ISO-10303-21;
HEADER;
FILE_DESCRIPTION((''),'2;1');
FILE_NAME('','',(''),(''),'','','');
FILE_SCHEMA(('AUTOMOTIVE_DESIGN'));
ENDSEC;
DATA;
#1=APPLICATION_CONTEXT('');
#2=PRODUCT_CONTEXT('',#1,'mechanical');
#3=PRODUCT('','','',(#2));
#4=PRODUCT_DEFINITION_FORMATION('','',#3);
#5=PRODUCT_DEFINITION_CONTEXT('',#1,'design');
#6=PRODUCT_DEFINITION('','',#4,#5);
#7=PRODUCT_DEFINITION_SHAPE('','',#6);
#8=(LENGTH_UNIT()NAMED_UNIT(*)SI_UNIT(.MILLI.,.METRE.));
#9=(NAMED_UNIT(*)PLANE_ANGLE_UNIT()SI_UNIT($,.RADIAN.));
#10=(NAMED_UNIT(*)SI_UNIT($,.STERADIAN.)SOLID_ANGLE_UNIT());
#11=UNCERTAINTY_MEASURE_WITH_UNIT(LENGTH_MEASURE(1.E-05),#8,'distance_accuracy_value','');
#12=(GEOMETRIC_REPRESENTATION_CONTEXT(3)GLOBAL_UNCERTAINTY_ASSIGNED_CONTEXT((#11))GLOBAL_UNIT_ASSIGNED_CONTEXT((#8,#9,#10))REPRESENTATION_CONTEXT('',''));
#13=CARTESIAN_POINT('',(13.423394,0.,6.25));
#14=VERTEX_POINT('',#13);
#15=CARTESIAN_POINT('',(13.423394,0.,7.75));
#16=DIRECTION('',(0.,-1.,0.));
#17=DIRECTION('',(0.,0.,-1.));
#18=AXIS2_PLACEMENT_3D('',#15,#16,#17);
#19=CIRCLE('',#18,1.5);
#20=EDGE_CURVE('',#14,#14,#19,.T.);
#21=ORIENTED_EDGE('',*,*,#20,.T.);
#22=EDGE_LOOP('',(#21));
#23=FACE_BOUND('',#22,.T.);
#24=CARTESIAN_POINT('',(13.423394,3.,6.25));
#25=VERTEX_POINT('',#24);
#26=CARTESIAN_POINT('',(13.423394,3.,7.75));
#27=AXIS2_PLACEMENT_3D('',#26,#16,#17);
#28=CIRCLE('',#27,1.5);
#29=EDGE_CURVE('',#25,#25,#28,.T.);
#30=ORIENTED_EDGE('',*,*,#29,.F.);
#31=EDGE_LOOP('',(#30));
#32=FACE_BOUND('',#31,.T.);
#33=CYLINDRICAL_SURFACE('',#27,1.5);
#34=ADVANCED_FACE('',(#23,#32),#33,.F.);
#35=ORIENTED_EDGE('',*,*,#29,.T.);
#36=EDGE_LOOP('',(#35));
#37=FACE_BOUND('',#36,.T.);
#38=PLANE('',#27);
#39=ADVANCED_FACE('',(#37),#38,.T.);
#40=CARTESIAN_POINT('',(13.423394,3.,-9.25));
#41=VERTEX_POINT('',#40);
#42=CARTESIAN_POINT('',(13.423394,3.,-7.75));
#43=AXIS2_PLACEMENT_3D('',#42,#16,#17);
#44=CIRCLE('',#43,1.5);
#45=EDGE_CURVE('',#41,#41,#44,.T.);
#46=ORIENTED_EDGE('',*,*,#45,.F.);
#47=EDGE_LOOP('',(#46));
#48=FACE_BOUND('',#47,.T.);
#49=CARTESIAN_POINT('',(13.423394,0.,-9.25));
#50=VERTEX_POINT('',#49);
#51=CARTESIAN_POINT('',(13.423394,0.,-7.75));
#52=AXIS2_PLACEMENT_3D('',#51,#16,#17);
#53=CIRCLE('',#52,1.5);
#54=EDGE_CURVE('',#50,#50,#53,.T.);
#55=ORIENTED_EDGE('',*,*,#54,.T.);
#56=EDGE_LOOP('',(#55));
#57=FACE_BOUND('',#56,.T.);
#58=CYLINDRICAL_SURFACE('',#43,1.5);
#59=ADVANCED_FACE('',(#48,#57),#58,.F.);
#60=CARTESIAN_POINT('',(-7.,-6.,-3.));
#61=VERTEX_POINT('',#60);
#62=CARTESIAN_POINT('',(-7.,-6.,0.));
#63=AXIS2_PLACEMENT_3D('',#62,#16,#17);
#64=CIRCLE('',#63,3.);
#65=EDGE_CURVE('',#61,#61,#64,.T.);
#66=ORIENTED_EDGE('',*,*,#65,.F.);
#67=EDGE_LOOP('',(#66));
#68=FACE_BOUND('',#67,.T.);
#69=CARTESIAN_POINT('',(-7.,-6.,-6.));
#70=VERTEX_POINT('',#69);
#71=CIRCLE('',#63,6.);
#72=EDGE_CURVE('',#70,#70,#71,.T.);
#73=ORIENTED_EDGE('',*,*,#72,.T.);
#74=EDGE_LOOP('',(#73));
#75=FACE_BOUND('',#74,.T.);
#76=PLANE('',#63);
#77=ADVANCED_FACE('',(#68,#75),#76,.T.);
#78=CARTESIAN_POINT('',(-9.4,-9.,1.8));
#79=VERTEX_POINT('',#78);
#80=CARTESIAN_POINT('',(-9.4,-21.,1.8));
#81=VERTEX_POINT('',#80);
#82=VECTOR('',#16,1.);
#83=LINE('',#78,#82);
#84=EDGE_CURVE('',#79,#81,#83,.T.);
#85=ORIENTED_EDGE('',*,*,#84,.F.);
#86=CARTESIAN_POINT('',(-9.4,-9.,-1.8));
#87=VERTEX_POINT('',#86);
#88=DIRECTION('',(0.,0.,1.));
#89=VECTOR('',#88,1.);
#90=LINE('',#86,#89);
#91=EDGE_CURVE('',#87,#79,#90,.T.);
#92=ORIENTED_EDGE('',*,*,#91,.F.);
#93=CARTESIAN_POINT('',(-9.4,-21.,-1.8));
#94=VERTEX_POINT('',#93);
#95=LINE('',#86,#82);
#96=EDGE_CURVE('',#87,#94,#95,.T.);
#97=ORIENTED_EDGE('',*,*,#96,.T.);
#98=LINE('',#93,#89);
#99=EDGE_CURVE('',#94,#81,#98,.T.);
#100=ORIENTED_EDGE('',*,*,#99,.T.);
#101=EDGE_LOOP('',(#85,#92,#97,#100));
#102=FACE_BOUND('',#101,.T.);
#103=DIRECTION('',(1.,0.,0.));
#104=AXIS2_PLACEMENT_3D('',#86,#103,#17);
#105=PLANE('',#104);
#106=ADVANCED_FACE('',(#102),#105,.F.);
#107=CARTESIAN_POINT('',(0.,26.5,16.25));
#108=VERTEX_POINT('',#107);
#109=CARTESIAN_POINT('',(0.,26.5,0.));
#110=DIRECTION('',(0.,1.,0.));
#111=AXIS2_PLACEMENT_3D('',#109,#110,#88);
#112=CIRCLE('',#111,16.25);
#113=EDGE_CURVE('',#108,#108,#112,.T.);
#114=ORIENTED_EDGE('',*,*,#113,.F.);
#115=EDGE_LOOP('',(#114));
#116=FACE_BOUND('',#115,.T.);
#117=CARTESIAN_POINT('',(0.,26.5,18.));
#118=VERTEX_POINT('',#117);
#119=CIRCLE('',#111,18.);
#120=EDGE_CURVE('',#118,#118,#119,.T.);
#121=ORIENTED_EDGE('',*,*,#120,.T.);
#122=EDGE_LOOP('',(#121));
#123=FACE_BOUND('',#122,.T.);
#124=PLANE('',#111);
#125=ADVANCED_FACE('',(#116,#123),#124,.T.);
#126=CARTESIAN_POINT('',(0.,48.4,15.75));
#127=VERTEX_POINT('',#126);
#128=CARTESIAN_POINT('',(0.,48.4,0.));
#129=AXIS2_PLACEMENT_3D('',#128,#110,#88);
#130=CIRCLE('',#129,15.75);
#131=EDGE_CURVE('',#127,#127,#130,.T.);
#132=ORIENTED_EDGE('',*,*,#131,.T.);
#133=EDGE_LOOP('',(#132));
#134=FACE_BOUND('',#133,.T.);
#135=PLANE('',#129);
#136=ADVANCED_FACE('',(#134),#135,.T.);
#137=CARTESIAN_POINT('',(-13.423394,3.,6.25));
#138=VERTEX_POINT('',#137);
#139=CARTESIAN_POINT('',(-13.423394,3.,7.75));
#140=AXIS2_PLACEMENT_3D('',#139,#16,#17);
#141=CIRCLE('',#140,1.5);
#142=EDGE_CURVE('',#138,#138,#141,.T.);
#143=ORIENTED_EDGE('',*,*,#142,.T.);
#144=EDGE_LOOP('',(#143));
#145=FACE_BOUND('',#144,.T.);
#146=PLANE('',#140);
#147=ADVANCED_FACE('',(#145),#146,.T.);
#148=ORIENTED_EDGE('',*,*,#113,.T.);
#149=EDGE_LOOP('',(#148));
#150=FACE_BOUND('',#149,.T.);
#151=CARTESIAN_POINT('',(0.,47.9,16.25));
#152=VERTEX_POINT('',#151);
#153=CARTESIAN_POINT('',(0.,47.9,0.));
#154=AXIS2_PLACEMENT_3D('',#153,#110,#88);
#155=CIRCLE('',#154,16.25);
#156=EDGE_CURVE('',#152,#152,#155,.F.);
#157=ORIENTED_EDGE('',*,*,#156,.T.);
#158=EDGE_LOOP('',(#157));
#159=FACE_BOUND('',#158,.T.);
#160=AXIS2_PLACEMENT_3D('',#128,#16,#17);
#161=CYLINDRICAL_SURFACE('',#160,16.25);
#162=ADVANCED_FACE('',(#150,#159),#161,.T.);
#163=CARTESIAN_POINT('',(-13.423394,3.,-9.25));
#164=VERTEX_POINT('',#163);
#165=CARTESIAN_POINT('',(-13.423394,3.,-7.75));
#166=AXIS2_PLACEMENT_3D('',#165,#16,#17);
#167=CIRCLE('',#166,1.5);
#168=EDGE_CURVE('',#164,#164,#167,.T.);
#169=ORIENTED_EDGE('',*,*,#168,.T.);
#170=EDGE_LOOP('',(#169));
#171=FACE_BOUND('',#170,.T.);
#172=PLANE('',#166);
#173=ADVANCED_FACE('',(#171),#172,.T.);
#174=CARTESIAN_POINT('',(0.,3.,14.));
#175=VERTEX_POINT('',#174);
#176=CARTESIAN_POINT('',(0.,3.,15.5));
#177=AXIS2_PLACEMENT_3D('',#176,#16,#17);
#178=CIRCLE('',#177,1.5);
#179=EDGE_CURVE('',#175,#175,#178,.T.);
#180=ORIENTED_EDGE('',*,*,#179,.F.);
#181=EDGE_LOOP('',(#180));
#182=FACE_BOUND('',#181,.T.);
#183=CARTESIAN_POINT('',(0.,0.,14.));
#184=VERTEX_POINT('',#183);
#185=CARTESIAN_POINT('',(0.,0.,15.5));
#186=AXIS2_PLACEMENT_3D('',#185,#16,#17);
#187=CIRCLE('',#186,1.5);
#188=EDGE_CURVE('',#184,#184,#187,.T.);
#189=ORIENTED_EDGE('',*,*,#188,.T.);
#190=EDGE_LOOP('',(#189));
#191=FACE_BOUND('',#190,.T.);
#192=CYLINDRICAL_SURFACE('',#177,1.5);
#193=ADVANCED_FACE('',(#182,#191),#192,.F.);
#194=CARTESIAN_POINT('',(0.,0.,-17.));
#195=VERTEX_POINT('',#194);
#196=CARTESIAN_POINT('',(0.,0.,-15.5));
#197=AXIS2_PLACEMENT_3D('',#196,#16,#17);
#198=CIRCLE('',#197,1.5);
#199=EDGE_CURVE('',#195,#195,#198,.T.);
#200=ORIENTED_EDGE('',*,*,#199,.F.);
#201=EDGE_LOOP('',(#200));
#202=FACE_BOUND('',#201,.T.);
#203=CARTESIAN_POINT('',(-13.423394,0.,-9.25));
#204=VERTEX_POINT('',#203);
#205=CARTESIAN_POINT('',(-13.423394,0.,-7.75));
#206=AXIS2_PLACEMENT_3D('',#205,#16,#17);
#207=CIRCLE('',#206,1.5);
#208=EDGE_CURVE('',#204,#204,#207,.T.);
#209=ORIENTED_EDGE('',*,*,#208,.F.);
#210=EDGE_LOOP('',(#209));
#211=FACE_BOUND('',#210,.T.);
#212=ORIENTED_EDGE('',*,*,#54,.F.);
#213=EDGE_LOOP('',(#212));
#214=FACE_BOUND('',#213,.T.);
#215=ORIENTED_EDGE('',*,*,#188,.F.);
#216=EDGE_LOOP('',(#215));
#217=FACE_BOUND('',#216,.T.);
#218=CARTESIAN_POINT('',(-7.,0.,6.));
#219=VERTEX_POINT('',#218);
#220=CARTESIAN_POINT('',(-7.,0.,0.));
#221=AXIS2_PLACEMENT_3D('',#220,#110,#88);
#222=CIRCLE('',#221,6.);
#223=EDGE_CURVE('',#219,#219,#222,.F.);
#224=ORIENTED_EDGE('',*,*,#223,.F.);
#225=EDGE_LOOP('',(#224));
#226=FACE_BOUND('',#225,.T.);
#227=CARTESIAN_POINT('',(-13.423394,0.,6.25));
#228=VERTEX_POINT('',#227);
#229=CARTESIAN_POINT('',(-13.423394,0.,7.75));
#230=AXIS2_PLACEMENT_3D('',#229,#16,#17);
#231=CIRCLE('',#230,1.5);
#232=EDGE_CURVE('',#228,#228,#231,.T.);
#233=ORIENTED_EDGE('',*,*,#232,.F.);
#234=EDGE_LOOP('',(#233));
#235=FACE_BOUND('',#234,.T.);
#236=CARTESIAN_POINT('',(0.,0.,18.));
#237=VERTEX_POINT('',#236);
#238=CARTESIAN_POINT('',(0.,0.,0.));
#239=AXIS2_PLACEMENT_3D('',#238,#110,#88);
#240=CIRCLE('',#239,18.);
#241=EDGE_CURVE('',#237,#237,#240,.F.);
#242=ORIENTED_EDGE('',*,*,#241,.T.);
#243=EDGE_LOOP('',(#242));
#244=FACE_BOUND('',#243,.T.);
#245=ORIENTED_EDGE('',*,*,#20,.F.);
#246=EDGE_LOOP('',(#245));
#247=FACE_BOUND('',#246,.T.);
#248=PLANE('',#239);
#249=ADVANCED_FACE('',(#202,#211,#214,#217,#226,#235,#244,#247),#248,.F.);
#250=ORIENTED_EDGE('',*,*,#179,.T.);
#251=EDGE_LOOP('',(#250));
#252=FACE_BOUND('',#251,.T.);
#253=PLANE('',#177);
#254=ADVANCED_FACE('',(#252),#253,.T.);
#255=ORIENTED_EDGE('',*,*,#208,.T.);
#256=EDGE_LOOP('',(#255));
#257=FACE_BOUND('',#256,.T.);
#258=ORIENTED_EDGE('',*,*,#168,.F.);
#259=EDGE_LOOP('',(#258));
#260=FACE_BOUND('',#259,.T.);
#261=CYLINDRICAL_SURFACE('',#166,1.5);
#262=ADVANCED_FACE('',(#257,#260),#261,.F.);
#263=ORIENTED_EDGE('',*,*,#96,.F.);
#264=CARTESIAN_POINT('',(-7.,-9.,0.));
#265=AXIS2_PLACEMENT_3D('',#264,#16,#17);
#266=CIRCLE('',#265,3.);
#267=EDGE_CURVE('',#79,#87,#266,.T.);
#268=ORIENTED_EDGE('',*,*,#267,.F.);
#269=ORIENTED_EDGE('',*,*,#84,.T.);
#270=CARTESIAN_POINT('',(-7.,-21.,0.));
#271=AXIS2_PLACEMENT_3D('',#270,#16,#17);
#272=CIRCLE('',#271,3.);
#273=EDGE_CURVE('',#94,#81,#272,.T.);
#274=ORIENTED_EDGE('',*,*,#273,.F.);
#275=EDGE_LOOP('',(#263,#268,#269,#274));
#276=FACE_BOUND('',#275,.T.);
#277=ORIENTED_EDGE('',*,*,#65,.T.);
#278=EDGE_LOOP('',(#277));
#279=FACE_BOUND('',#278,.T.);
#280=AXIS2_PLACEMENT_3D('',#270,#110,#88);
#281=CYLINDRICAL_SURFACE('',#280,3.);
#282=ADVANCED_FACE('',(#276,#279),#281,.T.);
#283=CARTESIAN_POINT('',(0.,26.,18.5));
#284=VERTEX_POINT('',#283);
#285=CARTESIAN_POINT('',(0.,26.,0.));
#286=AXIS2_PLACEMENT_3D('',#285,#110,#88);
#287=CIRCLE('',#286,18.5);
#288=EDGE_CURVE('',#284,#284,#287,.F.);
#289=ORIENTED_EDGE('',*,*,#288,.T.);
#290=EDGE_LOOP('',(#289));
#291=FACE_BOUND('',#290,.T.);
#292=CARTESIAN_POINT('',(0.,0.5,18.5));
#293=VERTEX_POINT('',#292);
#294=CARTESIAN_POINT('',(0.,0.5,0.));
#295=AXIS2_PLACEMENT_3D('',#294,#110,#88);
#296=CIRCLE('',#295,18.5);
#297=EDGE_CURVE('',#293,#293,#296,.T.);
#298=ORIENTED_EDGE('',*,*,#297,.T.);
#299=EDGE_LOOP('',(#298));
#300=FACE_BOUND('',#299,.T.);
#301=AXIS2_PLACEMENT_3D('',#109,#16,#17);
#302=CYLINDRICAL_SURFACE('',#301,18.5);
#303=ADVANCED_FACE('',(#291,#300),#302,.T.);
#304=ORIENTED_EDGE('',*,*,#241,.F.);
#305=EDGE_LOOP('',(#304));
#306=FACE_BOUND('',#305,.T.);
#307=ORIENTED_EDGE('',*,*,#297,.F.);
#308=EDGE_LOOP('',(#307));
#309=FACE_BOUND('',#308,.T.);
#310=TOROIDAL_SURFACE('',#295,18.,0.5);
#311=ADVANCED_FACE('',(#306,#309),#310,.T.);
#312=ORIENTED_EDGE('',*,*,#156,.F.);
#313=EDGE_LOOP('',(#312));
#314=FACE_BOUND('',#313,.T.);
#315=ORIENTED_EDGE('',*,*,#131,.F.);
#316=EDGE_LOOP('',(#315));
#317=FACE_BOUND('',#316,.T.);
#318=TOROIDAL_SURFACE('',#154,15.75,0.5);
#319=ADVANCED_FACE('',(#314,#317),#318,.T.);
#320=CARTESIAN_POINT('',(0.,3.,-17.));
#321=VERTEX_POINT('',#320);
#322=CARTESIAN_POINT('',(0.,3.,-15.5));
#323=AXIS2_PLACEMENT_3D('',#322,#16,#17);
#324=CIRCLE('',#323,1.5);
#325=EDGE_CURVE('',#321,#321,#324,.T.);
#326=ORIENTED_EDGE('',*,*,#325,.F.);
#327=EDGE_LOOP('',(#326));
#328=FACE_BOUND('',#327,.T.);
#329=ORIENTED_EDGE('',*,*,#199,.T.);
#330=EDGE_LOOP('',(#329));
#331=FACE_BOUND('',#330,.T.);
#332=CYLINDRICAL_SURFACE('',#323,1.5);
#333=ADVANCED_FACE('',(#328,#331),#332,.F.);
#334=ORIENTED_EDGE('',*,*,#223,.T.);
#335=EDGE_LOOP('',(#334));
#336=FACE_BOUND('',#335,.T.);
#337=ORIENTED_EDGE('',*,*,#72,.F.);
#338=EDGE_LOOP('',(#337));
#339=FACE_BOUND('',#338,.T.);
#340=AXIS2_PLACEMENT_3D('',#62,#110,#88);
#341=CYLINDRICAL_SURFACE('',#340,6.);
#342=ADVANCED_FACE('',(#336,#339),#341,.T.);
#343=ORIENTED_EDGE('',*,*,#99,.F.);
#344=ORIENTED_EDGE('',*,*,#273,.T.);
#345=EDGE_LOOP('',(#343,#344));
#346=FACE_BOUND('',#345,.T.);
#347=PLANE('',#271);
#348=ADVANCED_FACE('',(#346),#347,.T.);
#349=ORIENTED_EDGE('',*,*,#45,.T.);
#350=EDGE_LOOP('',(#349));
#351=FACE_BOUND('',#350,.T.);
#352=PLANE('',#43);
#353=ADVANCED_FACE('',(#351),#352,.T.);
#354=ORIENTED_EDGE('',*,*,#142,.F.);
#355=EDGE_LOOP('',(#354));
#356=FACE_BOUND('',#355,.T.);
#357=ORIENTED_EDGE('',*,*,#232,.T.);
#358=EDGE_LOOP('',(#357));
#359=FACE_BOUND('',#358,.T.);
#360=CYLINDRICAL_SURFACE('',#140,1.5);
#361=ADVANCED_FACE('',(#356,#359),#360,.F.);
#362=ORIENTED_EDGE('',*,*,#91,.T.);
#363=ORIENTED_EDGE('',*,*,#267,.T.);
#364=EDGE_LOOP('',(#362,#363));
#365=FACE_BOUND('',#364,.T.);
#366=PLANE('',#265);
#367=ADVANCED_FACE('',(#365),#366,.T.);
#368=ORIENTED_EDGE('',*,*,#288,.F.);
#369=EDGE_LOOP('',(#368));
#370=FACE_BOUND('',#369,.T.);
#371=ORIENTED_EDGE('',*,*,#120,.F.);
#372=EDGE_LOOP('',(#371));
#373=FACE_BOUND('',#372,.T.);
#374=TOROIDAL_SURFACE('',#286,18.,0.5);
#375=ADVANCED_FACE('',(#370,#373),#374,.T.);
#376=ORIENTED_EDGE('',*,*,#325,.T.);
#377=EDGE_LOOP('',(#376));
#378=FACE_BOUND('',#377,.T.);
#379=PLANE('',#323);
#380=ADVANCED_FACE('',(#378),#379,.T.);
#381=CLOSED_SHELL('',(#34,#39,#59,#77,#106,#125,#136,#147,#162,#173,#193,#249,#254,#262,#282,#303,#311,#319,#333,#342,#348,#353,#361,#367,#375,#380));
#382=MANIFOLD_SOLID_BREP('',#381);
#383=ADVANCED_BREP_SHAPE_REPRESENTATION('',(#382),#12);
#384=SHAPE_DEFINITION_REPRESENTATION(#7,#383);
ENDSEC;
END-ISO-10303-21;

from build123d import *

# Parameters (mm, degrees)
SKETCH_1_R          = 18.5
EXTRUDE_1_DEPTH     = 26.5
SKETCH_2_R          = 16.25
EXTRUDE_2_DEPTH     = 21.9
SKETCH_3_R          = 6
EXTRUDE_3_DEPTH     = 6
SKETCH_4_R          = 3
EXTRUDE_4_DEPTH     = 15
CUT_EXTRUDE_START   = -12
CUT_EXTRUDE_1_DEPTH = 12
FILLET_1_R          = 0.5
SKETCH_6_R          = 1.5
CUT_EXTRUDE_2_DEPTH = 3


with BuildPart() as part:
    # 草图1 → 凸台-拉伸1 (new body)
    with BuildSketch(Plane(origin=(0, 0, 0), x_dir=(1, 0, 0), z_dir=(0, 1, 0))):
        with Locations(Location((0, 0, 0), (0, 0, 270))):
            Circle(SKETCH_1_R)
    extrude(amount=EXTRUDE_1_DEPTH)

    # 草图2 → 凸台-拉伸2 (add)
    with BuildSketch(Plane(origin=(0, 26.5, 0), x_dir=(1, 0, 0), z_dir=(0, 1, 0))):
        with Locations(Location((0, 0, 0), (0, 0, 270))):
            Circle(SKETCH_2_R)
    extrude(amount=EXTRUDE_2_DEPTH)

    # 草图3 → 凸台-拉伸3 (add)
    with BuildSketch(Plane.XZ):
        with Locations(Location((-7, 0, 0), (0, 0, 90))):
            Circle(SKETCH_3_R)
    extrude(amount=EXTRUDE_3_DEPTH)

    # 草图4 → 凸台-拉伸4 (add)
    with BuildSketch(Plane.XZ.offset(6)):
        with Locations(Location((-7, 0, 0), (0, 0, 270))):
            Circle(SKETCH_4_R)
    extrude(amount=EXTRUDE_4_DEPTH)

    # 草图5 → 切除-拉伸1 (cut)
    with BuildSketch(Plane.XZ.offset(21).offset(CUT_EXTRUDE_START)):
        with BuildLine():
            Line((-9.4, -1.8), (-9.4, 1.8))
            ThreePointArc((-9.4, 1.8), (-10, 0), (-9.4, -1.8))
        make_face()
    extrude(amount=CUT_EXTRUDE_1_DEPTH, mode=Mode.SUBTRACT)

    # 圆角1
    fillet_1_edges = [part.edges().sort_by_distance(p)[0] for p in [
        (0, 0, -18.5),
        (0, 26.5, -18.5),
        (0, 48.4, -16.25),
    ]]
    fillet(fillet_1_edges, radius=FILLET_1_R)

    # 草图6 → 切除-拉伸2 (cut)
    with BuildSketch(Plane.XZ):
        with Locations(Location((0, -15.5, 0), (0, 0, 270))):
            Circle(SKETCH_6_R)
        with Locations(Location((-13.423393759, -7.75, 0), (0, 0, 270))):
            Circle(SKETCH_6_R)
        with Locations(Location((-13.423393759, 7.75, 0), (0, 0, 270))):
            Circle(SKETCH_6_R)
        with Locations(Location((0, 15.5, 0), (0, 0, 270))):
            Circle(SKETCH_6_R)
        with Locations(Location((13.423393759, 7.75, 0), (0, 0, 270))):
            Circle(SKETCH_6_R)
        with Locations(Location((13.423393759, -7.75, 0), (0, 0, 270))):
            Circle(SKETCH_6_R)
    extrude(amount=-CUT_EXTRUDE_2_DEPTH, mode=Mode.SUBTRACT)


solid = part.part
